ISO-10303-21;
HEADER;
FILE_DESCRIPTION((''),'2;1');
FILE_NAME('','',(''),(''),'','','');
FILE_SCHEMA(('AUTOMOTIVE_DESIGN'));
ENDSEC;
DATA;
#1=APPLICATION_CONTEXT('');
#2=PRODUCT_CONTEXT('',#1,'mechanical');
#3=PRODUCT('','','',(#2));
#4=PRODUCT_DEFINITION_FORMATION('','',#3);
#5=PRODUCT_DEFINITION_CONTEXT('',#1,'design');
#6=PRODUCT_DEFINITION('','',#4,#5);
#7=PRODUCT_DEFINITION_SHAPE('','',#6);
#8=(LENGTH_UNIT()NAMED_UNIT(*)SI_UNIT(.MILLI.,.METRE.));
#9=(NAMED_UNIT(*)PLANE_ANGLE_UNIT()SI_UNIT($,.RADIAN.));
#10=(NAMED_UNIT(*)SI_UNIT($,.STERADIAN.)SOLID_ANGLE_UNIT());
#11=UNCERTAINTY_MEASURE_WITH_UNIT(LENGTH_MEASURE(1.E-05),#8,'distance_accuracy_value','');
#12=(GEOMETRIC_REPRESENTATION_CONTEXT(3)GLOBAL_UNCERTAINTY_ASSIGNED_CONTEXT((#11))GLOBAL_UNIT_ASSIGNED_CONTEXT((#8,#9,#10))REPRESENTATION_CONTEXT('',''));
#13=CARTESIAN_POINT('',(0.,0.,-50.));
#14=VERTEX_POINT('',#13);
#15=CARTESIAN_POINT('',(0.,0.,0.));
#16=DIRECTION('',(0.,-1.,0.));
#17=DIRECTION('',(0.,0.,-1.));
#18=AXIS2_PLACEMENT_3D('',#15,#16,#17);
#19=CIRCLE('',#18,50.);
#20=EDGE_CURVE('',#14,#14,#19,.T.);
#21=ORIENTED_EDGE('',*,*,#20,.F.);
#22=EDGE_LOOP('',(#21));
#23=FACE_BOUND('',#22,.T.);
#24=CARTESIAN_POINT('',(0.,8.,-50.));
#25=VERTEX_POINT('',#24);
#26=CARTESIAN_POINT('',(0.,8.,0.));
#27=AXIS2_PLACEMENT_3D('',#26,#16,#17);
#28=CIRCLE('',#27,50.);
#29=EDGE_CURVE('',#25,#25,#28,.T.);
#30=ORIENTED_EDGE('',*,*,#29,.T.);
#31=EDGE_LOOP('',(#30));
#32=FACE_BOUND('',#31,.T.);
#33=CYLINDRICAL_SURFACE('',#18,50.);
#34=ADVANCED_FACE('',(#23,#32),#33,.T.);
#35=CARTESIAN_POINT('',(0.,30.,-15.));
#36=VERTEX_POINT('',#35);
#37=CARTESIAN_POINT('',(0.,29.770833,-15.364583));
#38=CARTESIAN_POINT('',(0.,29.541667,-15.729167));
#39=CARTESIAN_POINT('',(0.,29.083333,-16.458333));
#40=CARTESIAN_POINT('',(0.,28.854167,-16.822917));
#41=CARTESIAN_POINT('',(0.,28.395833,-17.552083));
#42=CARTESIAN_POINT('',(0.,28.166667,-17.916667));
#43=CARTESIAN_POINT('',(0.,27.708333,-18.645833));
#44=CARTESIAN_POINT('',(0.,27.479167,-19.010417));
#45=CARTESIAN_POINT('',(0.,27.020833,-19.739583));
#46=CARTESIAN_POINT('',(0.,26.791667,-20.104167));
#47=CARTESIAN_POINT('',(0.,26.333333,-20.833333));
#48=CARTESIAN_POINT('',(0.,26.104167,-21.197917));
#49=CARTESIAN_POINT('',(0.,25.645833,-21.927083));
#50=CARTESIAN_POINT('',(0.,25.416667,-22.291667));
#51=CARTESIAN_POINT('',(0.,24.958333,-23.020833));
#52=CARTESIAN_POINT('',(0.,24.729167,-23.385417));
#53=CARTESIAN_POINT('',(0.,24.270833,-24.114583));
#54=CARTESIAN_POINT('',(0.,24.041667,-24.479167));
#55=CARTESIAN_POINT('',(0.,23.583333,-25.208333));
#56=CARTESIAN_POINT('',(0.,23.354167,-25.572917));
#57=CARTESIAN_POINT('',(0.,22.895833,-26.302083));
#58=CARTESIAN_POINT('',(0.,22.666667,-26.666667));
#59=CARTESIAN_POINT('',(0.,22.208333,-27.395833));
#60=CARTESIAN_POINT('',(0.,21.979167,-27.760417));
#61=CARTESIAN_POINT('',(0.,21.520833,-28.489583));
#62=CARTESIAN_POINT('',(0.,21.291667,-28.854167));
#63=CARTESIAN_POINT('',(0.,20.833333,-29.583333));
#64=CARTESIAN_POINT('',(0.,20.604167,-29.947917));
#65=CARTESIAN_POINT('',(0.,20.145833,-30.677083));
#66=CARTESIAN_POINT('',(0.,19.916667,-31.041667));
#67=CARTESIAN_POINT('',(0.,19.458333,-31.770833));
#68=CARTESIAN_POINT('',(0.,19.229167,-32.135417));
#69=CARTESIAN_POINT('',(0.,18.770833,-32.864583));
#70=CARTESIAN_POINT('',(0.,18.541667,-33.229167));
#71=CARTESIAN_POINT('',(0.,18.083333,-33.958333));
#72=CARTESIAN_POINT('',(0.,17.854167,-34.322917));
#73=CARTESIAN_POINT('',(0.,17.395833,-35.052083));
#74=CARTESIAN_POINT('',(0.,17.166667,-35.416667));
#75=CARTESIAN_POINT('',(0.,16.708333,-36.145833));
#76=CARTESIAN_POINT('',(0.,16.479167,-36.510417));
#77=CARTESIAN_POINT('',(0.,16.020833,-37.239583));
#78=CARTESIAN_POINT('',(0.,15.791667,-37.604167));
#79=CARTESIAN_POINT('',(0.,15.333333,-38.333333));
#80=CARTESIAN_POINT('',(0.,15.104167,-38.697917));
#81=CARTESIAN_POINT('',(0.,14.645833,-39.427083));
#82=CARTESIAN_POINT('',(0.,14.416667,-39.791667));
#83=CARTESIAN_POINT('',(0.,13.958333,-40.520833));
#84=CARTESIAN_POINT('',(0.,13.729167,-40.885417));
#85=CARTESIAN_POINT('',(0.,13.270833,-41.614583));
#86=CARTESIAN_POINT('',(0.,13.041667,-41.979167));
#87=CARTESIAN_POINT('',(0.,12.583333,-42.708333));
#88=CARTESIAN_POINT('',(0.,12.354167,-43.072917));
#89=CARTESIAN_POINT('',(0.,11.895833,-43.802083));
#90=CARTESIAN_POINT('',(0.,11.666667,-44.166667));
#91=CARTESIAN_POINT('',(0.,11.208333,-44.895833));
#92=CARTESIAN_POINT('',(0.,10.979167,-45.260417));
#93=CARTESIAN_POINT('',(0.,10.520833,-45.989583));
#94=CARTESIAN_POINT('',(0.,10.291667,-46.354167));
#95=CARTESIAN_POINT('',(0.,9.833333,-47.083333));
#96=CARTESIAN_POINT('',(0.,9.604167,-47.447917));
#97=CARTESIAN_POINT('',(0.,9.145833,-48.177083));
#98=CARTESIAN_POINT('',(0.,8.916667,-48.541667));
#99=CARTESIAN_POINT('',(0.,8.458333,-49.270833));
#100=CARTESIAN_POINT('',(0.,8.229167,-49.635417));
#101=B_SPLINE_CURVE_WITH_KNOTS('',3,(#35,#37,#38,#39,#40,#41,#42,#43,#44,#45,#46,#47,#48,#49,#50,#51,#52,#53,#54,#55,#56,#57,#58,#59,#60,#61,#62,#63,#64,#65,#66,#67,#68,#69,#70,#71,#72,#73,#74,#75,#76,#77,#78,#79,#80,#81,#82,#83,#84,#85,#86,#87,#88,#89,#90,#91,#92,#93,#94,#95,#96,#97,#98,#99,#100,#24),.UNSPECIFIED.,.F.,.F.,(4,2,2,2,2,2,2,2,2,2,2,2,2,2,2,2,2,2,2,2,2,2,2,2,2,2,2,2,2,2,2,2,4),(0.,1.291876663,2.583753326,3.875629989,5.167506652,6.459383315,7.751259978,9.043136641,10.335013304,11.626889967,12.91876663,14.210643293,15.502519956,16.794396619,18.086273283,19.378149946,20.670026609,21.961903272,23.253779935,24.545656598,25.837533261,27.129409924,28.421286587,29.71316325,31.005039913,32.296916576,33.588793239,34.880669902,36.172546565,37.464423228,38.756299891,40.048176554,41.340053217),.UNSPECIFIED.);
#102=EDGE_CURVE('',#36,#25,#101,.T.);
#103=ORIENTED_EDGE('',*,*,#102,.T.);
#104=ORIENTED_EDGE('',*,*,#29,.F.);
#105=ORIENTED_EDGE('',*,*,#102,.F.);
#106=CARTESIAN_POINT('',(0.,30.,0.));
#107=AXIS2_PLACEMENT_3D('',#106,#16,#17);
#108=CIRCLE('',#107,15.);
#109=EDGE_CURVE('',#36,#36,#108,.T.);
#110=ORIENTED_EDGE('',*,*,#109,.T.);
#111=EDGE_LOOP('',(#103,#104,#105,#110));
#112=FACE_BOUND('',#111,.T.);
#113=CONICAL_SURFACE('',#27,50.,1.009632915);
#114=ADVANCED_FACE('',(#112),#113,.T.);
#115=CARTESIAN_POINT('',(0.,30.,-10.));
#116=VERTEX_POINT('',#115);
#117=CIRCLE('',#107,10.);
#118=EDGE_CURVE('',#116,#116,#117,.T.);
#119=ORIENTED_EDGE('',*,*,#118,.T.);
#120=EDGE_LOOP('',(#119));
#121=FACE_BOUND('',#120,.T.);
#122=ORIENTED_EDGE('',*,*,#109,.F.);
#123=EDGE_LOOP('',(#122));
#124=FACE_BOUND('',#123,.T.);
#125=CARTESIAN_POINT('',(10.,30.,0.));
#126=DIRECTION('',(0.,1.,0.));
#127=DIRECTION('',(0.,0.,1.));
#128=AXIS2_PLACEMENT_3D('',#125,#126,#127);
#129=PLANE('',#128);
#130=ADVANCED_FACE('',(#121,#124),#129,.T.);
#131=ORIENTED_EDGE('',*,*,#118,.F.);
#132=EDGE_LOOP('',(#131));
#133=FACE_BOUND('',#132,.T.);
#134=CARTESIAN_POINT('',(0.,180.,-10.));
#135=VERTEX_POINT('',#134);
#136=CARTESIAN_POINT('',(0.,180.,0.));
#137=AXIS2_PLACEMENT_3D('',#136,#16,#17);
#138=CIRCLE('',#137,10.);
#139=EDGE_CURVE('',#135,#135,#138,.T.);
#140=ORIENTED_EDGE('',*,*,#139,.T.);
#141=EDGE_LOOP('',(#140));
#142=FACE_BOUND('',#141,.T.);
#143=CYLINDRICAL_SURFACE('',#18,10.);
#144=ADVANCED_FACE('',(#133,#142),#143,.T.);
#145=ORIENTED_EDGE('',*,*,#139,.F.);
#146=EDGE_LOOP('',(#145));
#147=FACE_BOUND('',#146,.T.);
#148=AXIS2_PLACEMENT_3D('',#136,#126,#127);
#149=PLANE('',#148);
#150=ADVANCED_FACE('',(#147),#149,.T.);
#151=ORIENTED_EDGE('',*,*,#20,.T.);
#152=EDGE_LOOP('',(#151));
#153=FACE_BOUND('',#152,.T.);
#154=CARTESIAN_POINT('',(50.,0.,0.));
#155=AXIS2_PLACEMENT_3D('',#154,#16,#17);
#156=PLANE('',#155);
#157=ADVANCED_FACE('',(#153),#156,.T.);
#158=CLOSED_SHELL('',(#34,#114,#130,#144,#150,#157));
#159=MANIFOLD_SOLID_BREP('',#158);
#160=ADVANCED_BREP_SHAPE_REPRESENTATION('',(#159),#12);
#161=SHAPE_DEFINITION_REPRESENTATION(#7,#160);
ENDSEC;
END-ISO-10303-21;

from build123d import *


with BuildPart() as part:
    # 草图1 → 旋转1 (revolve)
    with BuildSketch(Plane.XY, mode=Mode.PRIVATE) as revolve_1_sk:
        Polygon((0, 0), (0, 180), (10, 180), (10, 30), (15, 30), (50, 8), (50, 0), align=None)
    revolve(revolve_1_sk.sketch.rotate(Axis((0, 0, 0), (0, 1, 0)), 90), axis=Axis((0, 0, 0), (0, 1, 0)))


solid = part.part
